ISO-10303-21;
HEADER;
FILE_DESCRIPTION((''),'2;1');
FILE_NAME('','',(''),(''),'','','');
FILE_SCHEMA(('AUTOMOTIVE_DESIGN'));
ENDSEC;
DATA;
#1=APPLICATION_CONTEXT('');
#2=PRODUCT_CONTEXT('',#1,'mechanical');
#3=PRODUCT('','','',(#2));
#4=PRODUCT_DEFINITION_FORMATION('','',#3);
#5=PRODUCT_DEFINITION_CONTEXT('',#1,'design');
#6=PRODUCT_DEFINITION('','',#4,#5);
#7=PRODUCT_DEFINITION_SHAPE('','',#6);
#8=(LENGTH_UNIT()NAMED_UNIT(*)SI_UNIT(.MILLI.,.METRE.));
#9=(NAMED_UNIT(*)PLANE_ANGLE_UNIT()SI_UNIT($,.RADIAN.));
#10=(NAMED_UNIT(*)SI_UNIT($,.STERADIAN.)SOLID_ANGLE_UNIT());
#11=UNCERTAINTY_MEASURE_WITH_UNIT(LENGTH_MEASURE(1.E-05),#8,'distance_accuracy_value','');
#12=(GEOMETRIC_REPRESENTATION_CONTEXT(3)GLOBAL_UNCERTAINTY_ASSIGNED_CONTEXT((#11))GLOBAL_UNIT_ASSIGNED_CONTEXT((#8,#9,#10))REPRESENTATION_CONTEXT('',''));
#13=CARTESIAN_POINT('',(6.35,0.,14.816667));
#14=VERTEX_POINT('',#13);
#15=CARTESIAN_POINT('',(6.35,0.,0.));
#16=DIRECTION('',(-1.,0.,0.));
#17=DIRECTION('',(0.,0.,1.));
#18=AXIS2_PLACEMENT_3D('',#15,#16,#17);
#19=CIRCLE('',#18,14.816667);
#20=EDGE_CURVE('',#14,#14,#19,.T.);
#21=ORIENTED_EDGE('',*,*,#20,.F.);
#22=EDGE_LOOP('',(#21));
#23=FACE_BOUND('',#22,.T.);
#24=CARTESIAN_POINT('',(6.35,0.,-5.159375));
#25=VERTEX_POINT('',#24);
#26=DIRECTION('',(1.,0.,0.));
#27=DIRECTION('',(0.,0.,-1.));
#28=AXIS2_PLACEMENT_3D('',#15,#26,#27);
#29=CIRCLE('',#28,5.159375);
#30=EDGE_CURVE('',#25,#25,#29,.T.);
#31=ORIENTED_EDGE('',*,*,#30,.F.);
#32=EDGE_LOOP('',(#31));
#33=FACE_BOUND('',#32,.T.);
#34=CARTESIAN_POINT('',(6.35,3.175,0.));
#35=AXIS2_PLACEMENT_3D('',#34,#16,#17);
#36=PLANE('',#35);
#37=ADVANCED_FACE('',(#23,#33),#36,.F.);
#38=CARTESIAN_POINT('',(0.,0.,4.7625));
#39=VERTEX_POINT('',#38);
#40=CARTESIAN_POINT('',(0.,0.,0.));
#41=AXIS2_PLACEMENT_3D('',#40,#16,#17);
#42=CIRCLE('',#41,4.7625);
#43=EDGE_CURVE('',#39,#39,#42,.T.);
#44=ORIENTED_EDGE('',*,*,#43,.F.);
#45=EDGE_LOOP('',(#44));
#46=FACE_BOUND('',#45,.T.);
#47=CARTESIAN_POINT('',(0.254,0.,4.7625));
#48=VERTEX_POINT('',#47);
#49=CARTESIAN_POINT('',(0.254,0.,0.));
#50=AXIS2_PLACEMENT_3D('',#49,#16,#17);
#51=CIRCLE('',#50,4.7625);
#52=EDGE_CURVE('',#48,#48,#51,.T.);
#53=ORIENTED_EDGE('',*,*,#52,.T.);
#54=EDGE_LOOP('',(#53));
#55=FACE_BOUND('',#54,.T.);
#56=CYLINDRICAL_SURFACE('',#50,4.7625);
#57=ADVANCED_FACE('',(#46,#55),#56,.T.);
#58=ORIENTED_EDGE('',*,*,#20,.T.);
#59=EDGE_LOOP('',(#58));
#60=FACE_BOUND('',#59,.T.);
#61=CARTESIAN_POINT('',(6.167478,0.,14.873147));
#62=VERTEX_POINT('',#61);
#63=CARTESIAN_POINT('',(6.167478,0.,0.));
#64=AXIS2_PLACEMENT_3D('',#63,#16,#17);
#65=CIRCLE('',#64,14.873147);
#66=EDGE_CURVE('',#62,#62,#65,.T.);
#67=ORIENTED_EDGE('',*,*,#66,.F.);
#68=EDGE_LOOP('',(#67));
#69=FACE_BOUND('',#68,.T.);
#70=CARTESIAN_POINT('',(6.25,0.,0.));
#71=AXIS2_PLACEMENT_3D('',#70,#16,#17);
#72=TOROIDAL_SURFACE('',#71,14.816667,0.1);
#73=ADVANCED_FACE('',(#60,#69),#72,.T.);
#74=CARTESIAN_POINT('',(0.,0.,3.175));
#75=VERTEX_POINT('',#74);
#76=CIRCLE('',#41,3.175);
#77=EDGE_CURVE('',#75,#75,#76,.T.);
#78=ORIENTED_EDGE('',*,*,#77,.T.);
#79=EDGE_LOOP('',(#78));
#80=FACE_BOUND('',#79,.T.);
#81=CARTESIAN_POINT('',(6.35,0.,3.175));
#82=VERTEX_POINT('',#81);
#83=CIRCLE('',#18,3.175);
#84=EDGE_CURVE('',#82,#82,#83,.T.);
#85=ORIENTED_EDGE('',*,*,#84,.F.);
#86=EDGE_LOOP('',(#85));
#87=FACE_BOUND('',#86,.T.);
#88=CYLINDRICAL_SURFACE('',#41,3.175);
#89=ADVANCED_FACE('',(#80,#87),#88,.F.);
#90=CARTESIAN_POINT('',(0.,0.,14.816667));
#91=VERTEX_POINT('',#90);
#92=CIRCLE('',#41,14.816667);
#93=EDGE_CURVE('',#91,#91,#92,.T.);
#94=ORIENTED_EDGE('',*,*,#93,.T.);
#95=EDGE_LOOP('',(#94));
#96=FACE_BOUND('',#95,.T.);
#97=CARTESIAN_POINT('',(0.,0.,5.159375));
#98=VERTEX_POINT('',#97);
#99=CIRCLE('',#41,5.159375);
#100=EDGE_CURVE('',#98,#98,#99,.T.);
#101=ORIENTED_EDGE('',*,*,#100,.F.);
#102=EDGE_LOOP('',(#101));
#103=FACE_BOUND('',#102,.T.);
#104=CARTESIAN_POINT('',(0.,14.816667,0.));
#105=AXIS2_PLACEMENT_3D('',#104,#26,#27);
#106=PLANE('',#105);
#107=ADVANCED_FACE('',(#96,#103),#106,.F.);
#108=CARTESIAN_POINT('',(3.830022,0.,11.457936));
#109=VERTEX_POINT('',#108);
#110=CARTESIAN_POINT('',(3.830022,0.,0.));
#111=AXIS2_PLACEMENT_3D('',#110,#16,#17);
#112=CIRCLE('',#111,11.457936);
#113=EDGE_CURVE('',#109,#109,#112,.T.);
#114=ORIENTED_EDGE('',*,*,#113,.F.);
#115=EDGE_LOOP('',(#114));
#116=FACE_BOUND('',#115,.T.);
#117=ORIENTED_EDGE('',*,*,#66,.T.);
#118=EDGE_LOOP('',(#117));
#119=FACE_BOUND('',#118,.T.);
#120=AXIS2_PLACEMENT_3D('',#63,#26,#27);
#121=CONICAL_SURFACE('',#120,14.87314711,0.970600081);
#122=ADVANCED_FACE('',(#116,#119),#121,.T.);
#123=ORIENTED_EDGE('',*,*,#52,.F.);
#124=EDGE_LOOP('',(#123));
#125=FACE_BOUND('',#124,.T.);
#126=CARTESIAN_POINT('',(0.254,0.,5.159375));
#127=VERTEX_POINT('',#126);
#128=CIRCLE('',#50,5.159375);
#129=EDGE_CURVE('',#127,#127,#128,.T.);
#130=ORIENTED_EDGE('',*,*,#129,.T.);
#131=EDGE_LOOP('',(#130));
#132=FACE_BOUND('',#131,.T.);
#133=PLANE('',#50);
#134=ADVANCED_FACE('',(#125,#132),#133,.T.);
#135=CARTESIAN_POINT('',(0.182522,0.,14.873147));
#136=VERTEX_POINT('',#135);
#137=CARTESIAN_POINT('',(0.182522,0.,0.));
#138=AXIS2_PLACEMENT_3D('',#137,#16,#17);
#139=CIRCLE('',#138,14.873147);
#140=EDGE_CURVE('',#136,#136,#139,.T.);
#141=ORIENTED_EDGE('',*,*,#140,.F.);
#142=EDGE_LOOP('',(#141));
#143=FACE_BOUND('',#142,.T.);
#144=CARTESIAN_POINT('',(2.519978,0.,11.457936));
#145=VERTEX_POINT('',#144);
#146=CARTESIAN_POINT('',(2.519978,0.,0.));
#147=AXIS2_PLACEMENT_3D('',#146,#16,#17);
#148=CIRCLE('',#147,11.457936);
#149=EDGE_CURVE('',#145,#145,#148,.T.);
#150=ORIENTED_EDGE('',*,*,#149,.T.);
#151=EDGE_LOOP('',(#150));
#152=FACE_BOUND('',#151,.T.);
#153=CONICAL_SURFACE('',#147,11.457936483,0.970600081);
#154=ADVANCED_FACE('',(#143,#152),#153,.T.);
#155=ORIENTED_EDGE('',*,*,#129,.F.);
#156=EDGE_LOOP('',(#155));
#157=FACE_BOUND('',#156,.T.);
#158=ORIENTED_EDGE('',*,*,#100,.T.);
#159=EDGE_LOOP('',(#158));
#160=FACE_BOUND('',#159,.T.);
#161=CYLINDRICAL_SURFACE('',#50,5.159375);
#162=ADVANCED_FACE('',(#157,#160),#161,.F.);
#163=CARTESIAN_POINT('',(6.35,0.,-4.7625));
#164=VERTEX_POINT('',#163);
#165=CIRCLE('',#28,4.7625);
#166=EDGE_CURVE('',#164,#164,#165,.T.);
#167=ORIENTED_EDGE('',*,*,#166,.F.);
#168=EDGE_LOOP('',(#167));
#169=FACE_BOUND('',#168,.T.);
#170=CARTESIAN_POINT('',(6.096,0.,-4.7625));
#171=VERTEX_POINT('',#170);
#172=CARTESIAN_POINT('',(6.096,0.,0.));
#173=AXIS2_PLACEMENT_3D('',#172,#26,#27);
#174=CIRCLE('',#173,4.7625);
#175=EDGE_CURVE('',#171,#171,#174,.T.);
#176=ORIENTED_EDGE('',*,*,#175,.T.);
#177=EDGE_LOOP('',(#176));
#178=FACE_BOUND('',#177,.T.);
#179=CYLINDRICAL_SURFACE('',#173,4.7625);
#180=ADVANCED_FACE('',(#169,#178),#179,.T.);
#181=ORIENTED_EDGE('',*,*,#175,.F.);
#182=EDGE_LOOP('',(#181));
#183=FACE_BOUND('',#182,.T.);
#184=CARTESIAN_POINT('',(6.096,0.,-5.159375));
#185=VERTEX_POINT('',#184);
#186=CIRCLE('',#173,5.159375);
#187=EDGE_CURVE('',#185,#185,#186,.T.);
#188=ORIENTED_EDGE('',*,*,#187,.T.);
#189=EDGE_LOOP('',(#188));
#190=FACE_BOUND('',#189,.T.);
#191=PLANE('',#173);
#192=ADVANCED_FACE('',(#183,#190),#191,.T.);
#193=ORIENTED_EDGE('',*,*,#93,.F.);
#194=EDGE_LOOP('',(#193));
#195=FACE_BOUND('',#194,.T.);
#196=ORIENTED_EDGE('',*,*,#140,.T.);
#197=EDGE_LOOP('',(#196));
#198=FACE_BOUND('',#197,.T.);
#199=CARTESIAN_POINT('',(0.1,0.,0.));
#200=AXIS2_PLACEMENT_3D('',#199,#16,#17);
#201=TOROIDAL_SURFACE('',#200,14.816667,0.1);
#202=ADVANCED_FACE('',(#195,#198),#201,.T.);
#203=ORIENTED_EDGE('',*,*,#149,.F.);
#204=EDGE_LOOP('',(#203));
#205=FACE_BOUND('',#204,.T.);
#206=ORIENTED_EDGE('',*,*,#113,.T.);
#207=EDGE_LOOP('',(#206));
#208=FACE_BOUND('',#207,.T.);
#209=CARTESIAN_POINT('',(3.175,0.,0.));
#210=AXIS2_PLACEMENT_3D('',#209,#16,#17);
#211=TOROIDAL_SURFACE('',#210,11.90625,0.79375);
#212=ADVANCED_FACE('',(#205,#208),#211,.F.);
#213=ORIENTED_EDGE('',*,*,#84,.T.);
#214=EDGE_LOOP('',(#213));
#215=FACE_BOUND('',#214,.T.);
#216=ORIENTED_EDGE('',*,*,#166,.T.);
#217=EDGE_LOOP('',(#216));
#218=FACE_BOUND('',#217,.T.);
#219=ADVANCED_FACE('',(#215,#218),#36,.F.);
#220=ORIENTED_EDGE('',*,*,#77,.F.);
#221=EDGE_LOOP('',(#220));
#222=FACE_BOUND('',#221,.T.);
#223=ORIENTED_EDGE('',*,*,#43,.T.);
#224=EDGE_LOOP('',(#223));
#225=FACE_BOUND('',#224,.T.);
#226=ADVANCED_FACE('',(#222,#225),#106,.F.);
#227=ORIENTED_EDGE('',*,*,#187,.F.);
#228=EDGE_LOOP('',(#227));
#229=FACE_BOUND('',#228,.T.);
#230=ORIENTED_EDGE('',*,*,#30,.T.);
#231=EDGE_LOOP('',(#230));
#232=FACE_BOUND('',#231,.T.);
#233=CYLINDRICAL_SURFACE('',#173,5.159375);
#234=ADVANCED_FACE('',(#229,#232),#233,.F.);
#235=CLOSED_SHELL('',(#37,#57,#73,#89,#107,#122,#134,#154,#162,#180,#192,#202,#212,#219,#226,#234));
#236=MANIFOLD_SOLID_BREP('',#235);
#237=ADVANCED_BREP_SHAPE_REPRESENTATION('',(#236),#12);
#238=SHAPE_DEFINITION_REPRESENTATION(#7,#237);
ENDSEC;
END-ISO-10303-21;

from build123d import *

# Parameters (mm, degrees)
SKETCH4_R          = 5.159375
SKETCH4_R_2        = 4.7625
CUT_EXTRUDE1_DEPTH = 0.254
CUT_EXTRUDE2_START = -0.254
SKETCH5_R          = 5.159375
SKETCH5_R_2        = 4.7625
CUT_EXTRUDE2_DEPTH = 0.254


with BuildPart() as part:
    # Sketch1 → Revolve1 (revolve)
    with BuildSketch(Plane.XY, mode=Mode.PRIVATE) as revolve1_sk:
        with BuildLine():
            Line((0, 3.175), (6.35, 3.175))
            Line((6.35, 3.175), (6.35, 14.816666667))
            ThreePointArc((6.35, 14.816666667), (6.279561395, 14.912197415), (6.167477521, 14.87314711))
            Line((6.167477521, 14.87314711), (3.830022177, 11.457936483))
            ThreePointArc((3.830022177, 11.457936483), (3.175, 11.1125), (2.519977823, 11.457936483))
            Line((2.519977823, 11.457936483), (0.182522479, 14.87314711))
            ThreePointArc((0.182522479, 14.87314711), (0.070438605, 14.912197415), (0, 14.816666667))
            Line((0, 14.816666667), (0, 3.175))
        make_face()
    revolve(revolve1_sk.sketch.rotate(Axis((0, 0, 0), (1, 0, 0)), 90), axis=Axis((0, 0, 0), (1, 0, 0)))

    # Sketch4 → Cut-Extrude1 (cut)
    with BuildSketch(Plane(origin=(6.35, 0, 0), x_dir=(0, 0, -1), z_dir=(1, 0, 0))):
        Circle(SKETCH4_R)
        Circle(SKETCH4_R_2, mode=Mode.SUBTRACT)
    extrude(amount=-CUT_EXTRUDE1_DEPTH, mode=Mode.SUBTRACT)

    # Sketch5 → Cut-Extrude2 (cut)
    with BuildSketch(Plane.ZY.offset(CUT_EXTRUDE2_START)):
        with Locations(Location((0, 0, 0), (0, 0, 180))):
            Circle(SKETCH5_R)
        with Locations(Location((0, 0, 0), (0, 0, 180))):
            Circle(SKETCH5_R_2, mode=Mode.SUBTRACT)
    extrude(amount=CUT_EXTRUDE2_DEPTH, mode=Mode.SUBTRACT)


solid = part.part
